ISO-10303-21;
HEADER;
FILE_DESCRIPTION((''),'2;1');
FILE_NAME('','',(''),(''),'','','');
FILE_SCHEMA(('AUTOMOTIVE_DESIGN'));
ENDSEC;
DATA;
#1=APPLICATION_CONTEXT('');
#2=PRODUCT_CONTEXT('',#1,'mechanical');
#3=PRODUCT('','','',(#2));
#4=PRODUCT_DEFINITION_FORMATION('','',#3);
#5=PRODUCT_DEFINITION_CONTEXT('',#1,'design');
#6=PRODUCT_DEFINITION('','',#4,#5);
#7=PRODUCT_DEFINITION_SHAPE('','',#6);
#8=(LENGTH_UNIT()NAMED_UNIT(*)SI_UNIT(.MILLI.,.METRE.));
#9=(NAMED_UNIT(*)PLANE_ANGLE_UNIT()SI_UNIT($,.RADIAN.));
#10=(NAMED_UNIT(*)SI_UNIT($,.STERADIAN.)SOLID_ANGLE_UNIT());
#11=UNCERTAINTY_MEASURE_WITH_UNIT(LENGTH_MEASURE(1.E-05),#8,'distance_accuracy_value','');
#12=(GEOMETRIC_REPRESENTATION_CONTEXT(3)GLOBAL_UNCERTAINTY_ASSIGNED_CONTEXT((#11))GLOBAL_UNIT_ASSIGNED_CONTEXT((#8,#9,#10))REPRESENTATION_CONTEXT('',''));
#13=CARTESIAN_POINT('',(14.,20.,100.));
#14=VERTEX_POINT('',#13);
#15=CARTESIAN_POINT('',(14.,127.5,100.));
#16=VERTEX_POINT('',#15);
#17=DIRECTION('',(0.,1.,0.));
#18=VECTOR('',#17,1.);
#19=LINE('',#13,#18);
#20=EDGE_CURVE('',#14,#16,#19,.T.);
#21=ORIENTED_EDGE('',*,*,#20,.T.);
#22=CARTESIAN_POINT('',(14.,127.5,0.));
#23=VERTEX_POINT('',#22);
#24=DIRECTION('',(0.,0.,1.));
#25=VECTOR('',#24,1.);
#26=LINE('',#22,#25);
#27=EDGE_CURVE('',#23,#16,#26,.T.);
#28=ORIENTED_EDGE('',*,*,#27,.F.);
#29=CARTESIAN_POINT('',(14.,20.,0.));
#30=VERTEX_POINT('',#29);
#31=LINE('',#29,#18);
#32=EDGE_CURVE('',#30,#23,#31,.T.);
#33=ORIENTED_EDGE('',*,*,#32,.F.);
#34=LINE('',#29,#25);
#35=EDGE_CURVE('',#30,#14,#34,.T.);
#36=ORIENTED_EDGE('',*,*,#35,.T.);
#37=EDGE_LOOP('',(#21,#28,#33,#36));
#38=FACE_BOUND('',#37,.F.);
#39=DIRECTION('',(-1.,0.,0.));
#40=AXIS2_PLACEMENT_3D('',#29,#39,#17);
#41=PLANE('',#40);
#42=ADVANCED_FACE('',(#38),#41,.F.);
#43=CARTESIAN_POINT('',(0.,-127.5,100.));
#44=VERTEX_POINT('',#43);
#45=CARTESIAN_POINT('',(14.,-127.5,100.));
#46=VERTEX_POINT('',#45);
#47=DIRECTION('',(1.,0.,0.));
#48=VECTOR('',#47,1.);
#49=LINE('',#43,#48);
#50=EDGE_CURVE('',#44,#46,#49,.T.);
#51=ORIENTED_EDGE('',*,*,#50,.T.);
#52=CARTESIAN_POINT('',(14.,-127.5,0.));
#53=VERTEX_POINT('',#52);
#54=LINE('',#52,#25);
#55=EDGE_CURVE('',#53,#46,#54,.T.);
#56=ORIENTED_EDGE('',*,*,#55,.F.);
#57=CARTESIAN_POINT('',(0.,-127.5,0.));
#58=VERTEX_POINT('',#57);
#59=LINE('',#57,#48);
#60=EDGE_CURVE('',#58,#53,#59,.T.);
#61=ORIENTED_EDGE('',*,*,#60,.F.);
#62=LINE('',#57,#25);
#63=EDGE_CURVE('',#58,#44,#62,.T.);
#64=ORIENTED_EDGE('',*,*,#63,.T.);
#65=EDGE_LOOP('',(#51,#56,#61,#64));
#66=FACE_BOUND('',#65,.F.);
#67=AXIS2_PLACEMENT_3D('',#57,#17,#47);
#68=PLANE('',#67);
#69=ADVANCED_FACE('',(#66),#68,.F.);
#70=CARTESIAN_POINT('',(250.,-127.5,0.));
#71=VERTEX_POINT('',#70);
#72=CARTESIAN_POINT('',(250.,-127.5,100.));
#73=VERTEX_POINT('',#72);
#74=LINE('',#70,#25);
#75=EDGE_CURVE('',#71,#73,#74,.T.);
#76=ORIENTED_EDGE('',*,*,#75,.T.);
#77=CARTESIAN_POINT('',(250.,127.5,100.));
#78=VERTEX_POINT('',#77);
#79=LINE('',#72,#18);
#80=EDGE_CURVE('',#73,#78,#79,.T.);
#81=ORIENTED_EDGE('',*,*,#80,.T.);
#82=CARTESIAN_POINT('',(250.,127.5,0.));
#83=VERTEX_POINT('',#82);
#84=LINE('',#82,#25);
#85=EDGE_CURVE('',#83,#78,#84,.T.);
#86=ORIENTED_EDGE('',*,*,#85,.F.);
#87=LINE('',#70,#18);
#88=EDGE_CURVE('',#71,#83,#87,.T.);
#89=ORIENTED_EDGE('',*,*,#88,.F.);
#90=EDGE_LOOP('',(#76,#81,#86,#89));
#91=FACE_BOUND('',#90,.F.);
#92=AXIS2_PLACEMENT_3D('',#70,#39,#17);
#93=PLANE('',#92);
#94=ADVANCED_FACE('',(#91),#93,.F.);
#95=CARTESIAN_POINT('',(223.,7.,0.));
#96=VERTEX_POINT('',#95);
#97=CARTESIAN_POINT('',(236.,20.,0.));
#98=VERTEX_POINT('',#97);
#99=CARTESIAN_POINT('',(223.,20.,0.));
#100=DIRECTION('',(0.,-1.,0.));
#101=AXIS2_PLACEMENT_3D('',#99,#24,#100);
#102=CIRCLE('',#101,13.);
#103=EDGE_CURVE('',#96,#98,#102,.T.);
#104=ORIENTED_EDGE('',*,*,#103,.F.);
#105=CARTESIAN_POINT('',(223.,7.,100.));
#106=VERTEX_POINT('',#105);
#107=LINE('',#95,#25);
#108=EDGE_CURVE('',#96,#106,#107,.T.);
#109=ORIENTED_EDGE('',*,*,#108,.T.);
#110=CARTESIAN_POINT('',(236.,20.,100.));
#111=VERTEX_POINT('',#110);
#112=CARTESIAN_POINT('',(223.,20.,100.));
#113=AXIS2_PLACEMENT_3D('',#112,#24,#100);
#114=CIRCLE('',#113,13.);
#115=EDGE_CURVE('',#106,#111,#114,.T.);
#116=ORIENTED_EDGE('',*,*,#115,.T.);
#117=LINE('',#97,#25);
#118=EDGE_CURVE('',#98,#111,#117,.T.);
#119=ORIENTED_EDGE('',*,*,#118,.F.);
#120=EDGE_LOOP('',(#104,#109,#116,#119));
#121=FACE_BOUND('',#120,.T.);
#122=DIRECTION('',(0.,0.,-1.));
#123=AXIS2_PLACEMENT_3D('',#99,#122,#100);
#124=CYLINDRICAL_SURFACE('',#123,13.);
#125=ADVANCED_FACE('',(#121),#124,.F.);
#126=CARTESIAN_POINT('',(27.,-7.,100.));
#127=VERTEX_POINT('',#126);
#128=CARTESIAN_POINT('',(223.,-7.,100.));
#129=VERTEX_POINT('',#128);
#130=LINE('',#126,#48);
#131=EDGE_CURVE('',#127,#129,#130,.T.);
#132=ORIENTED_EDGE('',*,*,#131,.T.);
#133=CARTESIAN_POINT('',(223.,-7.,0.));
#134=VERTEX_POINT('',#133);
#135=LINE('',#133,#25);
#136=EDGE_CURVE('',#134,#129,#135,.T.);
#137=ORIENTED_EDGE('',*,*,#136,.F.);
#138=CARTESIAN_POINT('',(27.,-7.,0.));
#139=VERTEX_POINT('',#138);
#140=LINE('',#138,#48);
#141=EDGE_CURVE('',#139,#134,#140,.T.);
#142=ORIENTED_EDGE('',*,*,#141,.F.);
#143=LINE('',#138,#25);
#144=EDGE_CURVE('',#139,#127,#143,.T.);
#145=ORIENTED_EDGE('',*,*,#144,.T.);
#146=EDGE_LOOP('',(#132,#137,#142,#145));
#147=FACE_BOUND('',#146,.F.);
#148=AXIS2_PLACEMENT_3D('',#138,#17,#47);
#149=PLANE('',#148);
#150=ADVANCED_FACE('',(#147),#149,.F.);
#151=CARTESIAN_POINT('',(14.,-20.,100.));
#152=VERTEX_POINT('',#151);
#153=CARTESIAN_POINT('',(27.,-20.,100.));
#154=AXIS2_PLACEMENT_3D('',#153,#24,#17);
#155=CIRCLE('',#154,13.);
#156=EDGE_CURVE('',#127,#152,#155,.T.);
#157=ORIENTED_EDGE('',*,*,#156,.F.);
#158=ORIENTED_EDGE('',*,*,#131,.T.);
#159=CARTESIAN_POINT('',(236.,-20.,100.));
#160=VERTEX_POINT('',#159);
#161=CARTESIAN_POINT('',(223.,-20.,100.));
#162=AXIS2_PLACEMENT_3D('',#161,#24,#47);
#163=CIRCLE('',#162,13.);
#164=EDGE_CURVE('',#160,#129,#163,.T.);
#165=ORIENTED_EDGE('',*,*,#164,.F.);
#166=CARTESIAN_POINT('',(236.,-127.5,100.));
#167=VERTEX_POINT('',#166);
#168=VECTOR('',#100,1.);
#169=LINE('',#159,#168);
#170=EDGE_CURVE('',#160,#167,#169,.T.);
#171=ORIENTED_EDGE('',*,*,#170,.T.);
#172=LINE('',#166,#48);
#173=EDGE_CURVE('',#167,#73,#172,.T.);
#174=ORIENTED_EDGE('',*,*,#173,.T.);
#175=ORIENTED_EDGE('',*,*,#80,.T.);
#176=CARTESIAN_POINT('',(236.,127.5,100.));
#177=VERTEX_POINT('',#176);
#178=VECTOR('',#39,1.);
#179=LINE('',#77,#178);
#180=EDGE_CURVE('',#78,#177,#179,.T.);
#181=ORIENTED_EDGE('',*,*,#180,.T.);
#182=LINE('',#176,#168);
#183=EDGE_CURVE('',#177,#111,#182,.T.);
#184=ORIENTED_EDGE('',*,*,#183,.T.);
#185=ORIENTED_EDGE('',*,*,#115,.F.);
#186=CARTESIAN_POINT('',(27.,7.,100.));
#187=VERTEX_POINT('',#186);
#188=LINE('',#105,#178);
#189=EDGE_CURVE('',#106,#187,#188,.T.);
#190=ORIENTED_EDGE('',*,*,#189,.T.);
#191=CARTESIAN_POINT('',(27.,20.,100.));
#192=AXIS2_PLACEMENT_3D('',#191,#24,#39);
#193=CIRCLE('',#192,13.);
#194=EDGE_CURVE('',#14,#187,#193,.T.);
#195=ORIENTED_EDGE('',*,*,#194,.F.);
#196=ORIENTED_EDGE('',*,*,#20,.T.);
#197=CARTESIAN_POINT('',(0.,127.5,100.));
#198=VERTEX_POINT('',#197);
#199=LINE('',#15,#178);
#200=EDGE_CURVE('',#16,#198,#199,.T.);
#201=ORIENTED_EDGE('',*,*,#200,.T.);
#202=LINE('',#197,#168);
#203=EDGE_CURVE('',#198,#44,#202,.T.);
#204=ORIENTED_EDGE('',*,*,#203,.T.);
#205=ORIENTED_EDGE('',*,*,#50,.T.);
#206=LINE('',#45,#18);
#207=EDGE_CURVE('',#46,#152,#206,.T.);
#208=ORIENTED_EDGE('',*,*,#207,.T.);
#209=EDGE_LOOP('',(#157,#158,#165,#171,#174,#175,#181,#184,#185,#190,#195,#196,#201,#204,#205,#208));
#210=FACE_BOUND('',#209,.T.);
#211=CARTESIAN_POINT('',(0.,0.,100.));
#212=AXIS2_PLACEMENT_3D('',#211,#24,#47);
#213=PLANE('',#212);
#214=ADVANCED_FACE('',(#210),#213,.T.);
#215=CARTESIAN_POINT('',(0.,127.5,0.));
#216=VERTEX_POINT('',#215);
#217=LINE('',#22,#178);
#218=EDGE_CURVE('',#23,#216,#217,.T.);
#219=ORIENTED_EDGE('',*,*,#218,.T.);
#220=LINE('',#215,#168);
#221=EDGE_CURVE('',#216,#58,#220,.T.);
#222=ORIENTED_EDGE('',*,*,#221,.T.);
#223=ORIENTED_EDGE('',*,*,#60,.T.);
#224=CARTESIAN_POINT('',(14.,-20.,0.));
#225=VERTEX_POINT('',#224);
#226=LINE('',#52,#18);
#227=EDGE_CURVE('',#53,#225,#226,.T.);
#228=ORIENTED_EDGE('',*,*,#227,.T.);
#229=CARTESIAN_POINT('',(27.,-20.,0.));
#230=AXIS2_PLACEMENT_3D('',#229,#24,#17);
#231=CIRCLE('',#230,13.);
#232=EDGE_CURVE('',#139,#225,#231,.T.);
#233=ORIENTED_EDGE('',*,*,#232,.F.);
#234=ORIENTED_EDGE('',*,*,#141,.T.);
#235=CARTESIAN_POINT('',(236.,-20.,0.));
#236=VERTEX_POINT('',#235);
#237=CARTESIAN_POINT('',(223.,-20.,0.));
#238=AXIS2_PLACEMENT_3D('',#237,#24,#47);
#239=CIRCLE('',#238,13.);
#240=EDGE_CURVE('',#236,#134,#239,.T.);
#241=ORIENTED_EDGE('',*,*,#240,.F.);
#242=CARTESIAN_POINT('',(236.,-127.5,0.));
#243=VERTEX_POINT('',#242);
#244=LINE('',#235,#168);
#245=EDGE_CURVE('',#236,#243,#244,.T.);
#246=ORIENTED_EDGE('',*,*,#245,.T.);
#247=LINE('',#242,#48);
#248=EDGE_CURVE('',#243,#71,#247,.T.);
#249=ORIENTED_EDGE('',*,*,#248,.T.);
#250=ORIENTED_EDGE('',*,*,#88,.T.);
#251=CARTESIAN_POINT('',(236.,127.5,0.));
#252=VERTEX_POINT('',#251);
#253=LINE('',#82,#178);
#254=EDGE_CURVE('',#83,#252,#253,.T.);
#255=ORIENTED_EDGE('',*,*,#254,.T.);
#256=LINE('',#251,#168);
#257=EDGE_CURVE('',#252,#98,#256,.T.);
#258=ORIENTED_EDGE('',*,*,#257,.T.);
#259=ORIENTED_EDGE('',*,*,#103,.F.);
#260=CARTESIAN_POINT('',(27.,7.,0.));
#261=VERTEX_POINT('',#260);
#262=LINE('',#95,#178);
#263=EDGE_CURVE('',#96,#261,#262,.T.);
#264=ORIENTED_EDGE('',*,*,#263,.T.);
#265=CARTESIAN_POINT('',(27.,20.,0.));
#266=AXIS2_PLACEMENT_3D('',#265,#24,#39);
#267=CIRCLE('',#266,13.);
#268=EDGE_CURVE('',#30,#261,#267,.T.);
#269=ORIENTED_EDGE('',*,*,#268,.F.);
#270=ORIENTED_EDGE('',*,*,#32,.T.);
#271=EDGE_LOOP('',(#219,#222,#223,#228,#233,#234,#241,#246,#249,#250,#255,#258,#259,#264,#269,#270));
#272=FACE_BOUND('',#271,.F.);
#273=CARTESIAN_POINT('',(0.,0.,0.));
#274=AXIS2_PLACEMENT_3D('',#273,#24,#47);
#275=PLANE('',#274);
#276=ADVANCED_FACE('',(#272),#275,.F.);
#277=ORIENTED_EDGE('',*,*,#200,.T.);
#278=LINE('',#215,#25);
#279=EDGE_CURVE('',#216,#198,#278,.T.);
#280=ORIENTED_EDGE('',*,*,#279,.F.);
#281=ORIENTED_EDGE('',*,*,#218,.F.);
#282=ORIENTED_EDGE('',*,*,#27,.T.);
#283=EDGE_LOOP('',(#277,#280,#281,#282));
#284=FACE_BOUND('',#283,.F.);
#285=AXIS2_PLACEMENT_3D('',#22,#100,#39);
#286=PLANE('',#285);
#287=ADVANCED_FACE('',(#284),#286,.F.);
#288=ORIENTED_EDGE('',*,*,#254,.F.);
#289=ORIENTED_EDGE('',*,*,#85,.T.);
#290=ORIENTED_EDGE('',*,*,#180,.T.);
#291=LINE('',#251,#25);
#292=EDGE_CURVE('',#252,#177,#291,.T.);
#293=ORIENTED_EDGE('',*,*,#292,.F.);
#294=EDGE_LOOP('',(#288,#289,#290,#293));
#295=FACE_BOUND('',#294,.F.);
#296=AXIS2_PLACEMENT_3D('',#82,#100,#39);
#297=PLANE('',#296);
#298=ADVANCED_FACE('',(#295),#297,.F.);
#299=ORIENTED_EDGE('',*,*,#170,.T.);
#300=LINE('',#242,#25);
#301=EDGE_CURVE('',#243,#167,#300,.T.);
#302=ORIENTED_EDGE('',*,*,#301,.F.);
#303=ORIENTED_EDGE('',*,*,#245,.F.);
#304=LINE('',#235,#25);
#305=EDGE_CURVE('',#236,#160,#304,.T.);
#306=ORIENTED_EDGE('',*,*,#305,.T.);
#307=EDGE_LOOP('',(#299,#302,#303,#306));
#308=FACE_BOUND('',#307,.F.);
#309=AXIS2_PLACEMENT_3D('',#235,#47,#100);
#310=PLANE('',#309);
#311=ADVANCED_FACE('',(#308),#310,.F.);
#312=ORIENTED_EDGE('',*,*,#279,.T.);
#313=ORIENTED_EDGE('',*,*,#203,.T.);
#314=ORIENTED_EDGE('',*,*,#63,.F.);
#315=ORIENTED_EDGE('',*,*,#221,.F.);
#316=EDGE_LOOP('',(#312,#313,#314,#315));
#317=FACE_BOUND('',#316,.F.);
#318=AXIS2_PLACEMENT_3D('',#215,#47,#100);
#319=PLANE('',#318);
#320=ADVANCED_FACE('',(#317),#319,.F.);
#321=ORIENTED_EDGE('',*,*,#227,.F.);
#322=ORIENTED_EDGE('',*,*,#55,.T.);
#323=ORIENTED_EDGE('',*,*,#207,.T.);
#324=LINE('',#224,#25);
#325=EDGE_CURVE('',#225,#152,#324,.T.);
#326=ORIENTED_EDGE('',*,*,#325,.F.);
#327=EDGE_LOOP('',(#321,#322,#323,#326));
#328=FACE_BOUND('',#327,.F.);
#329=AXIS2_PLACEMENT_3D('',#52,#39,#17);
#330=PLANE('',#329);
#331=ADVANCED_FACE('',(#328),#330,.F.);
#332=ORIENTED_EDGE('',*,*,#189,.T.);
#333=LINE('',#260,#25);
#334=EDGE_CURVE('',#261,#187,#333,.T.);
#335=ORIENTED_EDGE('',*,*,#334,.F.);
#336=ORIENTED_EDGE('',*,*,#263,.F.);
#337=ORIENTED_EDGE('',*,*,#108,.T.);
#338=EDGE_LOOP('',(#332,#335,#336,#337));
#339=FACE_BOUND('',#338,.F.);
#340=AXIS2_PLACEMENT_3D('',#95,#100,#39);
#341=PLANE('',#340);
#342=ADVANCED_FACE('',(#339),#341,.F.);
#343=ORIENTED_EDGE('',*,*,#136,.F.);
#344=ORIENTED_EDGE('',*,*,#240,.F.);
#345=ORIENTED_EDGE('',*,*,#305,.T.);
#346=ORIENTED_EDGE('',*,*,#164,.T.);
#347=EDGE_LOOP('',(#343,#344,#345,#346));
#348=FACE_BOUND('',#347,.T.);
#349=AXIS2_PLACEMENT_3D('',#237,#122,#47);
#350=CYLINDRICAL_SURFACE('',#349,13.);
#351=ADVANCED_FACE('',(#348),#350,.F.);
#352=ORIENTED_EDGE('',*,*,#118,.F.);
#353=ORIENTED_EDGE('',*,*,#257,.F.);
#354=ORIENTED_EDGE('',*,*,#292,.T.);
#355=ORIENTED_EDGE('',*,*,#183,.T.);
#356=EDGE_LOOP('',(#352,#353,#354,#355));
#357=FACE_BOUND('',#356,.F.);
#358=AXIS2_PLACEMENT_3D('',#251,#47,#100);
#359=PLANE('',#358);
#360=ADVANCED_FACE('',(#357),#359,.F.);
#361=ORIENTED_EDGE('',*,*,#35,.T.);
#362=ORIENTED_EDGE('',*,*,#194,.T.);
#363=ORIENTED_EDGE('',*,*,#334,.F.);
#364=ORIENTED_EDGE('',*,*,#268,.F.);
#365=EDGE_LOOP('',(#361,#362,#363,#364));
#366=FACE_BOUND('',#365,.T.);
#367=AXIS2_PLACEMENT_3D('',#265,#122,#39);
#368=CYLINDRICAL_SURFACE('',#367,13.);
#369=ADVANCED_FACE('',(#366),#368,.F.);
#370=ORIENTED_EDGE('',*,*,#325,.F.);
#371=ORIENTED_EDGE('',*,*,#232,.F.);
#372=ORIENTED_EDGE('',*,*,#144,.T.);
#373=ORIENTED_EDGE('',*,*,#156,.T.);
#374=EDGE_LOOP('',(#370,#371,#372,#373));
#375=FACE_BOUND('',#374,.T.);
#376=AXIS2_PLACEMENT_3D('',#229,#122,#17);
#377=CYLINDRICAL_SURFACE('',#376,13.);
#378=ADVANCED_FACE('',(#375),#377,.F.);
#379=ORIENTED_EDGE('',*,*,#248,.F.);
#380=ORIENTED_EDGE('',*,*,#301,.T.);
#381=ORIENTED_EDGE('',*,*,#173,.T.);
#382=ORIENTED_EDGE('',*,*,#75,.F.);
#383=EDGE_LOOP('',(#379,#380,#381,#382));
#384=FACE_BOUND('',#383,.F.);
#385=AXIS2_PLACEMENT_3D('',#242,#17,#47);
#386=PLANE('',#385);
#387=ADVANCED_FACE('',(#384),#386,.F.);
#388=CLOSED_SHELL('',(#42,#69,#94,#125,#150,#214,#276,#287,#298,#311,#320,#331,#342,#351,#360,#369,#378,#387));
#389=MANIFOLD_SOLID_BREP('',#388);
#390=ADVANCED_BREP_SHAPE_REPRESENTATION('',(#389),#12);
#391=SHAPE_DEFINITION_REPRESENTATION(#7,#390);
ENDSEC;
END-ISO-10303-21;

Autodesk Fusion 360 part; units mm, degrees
sketch "スケッチ1" plane through (0, 0, 0) normal (0, 0, 1) x (1, 0, 0)
  line L0 (0, 127.5) -> (0, -127.5)
  line L1 (250, -127.5) -> (250, 127.5)
  line L2 (236, -20) -> (236, -127.5)
  line L3 (14, -127.5) -> (14, -20)
  line L4 (0, -127.5) -> (14, -127.5)
  line L5 (236, -127.5) -> (250, -127.5)
  line L6 (14, 20) -> (14, 127.5)
  line L7 (236, 127.5) -> (236, 20)
  line L8 (223, 7) -> (27, 7)
  line L9 (27, -7) -> (223, -7)
  line L10 (14, 127.5) -> (0, 127.5)
  line L11 (250, 127.5) -> (236, 127.5)
  arc A0 (27, -7) -> (14, -20) centre (27, -20) ccw
  arc A1 (14, 20) -> (27, 7) centre (27, 20) ccw
  arc A2 (223, 7) -> (236, 20) centre (223, 20) ccw
  arc A3 (236, -20) -> (223, -7) centre (223, -20) ccw
extrude "押し出し1" add sketch "スケッチ1" along normal blind 100
